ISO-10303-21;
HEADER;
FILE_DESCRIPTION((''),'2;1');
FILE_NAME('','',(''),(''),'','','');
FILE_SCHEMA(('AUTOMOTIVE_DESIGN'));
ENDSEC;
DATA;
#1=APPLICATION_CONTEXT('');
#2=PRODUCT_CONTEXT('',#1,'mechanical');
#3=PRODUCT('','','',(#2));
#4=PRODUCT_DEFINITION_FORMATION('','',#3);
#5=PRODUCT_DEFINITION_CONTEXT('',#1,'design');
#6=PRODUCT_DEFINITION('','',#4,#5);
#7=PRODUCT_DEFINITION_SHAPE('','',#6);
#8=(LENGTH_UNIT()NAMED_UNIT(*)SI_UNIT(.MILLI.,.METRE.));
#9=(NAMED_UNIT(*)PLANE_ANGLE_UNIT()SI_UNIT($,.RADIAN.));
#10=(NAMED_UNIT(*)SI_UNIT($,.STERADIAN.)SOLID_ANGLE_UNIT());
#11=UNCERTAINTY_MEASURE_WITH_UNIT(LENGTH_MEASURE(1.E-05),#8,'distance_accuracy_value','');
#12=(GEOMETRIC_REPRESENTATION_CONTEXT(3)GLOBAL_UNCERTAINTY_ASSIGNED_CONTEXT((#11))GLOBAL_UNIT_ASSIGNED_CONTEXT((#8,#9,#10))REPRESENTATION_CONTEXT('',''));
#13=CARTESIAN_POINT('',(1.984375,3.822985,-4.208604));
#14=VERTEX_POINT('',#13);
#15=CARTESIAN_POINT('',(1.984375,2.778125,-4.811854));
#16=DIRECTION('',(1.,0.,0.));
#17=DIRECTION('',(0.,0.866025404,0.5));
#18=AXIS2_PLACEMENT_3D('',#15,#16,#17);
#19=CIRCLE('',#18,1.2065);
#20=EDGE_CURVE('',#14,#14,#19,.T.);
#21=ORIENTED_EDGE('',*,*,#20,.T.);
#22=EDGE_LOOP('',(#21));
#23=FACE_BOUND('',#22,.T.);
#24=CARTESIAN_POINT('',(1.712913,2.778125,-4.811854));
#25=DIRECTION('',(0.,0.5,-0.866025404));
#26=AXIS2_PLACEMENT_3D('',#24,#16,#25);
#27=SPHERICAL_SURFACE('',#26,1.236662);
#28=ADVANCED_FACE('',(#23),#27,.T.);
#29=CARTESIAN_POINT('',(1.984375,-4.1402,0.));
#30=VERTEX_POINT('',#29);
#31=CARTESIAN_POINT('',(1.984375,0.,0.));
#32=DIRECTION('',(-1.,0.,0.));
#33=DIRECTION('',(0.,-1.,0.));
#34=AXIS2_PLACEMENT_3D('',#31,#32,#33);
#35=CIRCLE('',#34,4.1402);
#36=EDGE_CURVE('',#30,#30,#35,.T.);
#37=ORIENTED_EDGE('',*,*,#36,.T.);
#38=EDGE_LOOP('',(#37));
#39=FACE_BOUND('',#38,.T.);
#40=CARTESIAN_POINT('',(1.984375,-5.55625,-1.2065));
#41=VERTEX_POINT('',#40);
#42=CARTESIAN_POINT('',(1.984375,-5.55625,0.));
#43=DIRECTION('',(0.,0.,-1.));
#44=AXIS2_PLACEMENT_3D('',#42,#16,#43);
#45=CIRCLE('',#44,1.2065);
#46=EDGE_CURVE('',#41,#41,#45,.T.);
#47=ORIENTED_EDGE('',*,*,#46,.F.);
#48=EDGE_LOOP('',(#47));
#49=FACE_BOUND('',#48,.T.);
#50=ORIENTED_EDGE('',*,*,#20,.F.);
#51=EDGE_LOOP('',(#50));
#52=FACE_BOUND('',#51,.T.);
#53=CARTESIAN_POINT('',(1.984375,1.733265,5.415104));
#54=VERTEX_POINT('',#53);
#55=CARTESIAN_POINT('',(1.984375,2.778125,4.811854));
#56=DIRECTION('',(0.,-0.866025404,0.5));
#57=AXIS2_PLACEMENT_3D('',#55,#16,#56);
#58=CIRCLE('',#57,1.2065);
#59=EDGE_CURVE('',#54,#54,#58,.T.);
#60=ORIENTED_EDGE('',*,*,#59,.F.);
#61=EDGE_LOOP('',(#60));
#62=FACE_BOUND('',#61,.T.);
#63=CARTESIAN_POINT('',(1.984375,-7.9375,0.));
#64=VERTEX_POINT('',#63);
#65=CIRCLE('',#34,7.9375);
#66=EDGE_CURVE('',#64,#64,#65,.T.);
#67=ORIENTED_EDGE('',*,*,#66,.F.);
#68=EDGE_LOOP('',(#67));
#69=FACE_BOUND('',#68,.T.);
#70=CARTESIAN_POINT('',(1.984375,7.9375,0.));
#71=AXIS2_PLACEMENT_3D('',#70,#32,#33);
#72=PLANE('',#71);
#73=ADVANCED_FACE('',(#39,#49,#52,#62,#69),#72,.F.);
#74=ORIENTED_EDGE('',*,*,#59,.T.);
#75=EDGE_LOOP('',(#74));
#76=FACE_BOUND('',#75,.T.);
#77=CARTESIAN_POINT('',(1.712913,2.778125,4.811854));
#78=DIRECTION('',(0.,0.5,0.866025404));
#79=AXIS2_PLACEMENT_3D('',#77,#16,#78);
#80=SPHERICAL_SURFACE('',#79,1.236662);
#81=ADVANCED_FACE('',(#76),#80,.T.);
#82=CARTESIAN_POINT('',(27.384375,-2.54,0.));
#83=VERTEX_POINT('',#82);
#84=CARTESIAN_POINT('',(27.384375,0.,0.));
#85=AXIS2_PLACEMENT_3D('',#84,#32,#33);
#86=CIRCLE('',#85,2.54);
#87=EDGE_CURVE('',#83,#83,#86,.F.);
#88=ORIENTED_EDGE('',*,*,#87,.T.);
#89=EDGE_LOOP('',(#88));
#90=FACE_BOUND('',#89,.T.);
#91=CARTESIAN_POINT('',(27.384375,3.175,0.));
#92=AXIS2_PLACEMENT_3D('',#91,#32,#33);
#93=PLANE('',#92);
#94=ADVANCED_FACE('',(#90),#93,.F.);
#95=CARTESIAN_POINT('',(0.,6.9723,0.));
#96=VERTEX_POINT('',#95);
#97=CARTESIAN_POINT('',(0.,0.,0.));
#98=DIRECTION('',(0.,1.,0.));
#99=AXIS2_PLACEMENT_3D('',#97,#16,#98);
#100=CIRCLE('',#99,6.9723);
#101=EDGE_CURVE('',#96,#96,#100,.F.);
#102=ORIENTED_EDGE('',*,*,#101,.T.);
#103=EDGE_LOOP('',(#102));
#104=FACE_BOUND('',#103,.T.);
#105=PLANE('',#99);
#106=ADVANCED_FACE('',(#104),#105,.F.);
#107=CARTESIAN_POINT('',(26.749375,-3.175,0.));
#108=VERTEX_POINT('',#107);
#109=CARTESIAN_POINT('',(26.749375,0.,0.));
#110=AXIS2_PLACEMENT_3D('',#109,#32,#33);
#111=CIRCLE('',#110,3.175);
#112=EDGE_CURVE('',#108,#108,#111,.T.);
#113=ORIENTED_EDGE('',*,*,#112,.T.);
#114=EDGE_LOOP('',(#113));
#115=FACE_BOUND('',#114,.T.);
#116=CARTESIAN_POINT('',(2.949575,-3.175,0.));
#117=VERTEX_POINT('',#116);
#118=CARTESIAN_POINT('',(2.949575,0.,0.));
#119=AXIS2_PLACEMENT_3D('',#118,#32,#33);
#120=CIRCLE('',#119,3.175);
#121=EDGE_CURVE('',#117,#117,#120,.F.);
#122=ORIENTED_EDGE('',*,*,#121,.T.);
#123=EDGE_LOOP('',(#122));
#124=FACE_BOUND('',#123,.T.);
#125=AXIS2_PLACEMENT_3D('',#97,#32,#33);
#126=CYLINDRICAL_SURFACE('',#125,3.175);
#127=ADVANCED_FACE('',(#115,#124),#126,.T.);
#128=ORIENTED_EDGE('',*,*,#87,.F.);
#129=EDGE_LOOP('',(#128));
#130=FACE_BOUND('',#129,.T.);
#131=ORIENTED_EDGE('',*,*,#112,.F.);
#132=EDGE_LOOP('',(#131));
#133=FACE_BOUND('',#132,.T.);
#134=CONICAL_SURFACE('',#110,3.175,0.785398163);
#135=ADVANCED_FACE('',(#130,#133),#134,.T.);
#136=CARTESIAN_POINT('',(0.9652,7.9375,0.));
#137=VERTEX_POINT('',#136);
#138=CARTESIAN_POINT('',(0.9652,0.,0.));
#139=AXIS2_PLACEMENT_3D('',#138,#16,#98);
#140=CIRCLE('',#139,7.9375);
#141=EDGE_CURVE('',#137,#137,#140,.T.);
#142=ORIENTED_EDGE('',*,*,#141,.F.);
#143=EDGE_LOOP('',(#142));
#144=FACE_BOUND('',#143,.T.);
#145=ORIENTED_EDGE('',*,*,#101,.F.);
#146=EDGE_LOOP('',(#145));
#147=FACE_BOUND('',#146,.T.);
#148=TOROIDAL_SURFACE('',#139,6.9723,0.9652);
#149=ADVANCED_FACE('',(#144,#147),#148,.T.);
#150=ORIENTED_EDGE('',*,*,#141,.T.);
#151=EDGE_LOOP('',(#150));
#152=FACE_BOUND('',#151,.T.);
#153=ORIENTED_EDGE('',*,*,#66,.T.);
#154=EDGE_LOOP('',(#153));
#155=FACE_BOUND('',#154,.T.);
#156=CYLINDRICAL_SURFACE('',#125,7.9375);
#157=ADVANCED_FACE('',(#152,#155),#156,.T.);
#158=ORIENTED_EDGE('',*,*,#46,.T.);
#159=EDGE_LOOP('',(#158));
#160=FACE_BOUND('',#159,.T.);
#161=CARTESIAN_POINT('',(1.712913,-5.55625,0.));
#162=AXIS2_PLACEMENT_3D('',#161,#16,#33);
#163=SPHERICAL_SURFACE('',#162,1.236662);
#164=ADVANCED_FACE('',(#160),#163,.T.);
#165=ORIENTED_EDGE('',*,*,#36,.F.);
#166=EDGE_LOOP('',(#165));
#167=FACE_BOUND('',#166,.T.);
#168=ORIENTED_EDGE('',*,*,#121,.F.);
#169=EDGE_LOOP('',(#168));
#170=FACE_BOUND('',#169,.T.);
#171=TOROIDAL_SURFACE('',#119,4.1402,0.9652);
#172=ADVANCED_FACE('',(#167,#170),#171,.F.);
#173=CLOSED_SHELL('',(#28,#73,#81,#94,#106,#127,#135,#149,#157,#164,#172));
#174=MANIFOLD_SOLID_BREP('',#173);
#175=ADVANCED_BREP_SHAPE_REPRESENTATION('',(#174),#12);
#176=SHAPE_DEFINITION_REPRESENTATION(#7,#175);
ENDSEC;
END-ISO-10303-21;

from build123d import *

# Parameters (mm, degrees)
CHAMFER1_SIZE     = 0.635
CIRPATTERN1_COUNT = 3
FILLET1_R         = 0.9652


with BuildPart() as part:
    # Sketch1 → Revolve1 (revolve)
    with BuildSketch(Plane.XY, mode=Mode.PRIVATE) as revolve1_sk:
        Polygon((0, 0), (0, 7.9375), (1.984375, 7.9375), (1.984375, 3.175), (27.384375, 3.175), (27.384375, 0), align=None)
    revolve(revolve1_sk.sketch.rotate(Axis((0, 0, 0), (1, 0, 0)), 180), axis=Axis((0, 0, 0), (1, 0, 0)))

    # Chamfer1
    chamfer1_edges = [part.edges().sort_by_distance(p)[0] for p in [
        (27.384375, 3.175, 0),
    ]]
    chamfer(chamfer1_edges, length=CHAMFER1_SIZE)

    # Sketch2 → Revolve2 (revolve)
    with BuildSketch(Plane.XY, mode=Mode.PRIVATE) as revolve2_sk:
        with BuildLine():
            Line((1.984375, -5.55625), (2.949575, -5.55625))
            ThreePointArc((2.949575, -5.55625), (2.678583674, -4.783713061), (1.984375, -4.34975))
            Line((1.984375, -4.34975), (1.984375, -5.55625))
        make_face()
    revolve2 = revolve(revolve2_sk.sketch.rotate(Axis((1.984375, -5.55625, 0), (-1, 0, 0)), 180), axis=Axis((1.984375, -5.55625, 0), (-1, 0, 0)))

    # CirPattern1: Revolve2 ×3 about axis
    cirpattern1_axis = Axis((0, 0, 0), (1, 0, 0))
    for i in range(1, CIRPATTERN1_COUNT):
        add(revolve2.rotate(cirpattern1_axis, i * 360 / CIRPATTERN1_COUNT))

    # Fillet1
    fillet1_edges = [part.edges().sort_by_distance(p)[0] for p in [
        (1.984375, 3.175, 0),
        (0, 7.9375, 0),
    ]]
    fillet(fillet1_edges, radius=FILLET1_R)


solid = part.part
